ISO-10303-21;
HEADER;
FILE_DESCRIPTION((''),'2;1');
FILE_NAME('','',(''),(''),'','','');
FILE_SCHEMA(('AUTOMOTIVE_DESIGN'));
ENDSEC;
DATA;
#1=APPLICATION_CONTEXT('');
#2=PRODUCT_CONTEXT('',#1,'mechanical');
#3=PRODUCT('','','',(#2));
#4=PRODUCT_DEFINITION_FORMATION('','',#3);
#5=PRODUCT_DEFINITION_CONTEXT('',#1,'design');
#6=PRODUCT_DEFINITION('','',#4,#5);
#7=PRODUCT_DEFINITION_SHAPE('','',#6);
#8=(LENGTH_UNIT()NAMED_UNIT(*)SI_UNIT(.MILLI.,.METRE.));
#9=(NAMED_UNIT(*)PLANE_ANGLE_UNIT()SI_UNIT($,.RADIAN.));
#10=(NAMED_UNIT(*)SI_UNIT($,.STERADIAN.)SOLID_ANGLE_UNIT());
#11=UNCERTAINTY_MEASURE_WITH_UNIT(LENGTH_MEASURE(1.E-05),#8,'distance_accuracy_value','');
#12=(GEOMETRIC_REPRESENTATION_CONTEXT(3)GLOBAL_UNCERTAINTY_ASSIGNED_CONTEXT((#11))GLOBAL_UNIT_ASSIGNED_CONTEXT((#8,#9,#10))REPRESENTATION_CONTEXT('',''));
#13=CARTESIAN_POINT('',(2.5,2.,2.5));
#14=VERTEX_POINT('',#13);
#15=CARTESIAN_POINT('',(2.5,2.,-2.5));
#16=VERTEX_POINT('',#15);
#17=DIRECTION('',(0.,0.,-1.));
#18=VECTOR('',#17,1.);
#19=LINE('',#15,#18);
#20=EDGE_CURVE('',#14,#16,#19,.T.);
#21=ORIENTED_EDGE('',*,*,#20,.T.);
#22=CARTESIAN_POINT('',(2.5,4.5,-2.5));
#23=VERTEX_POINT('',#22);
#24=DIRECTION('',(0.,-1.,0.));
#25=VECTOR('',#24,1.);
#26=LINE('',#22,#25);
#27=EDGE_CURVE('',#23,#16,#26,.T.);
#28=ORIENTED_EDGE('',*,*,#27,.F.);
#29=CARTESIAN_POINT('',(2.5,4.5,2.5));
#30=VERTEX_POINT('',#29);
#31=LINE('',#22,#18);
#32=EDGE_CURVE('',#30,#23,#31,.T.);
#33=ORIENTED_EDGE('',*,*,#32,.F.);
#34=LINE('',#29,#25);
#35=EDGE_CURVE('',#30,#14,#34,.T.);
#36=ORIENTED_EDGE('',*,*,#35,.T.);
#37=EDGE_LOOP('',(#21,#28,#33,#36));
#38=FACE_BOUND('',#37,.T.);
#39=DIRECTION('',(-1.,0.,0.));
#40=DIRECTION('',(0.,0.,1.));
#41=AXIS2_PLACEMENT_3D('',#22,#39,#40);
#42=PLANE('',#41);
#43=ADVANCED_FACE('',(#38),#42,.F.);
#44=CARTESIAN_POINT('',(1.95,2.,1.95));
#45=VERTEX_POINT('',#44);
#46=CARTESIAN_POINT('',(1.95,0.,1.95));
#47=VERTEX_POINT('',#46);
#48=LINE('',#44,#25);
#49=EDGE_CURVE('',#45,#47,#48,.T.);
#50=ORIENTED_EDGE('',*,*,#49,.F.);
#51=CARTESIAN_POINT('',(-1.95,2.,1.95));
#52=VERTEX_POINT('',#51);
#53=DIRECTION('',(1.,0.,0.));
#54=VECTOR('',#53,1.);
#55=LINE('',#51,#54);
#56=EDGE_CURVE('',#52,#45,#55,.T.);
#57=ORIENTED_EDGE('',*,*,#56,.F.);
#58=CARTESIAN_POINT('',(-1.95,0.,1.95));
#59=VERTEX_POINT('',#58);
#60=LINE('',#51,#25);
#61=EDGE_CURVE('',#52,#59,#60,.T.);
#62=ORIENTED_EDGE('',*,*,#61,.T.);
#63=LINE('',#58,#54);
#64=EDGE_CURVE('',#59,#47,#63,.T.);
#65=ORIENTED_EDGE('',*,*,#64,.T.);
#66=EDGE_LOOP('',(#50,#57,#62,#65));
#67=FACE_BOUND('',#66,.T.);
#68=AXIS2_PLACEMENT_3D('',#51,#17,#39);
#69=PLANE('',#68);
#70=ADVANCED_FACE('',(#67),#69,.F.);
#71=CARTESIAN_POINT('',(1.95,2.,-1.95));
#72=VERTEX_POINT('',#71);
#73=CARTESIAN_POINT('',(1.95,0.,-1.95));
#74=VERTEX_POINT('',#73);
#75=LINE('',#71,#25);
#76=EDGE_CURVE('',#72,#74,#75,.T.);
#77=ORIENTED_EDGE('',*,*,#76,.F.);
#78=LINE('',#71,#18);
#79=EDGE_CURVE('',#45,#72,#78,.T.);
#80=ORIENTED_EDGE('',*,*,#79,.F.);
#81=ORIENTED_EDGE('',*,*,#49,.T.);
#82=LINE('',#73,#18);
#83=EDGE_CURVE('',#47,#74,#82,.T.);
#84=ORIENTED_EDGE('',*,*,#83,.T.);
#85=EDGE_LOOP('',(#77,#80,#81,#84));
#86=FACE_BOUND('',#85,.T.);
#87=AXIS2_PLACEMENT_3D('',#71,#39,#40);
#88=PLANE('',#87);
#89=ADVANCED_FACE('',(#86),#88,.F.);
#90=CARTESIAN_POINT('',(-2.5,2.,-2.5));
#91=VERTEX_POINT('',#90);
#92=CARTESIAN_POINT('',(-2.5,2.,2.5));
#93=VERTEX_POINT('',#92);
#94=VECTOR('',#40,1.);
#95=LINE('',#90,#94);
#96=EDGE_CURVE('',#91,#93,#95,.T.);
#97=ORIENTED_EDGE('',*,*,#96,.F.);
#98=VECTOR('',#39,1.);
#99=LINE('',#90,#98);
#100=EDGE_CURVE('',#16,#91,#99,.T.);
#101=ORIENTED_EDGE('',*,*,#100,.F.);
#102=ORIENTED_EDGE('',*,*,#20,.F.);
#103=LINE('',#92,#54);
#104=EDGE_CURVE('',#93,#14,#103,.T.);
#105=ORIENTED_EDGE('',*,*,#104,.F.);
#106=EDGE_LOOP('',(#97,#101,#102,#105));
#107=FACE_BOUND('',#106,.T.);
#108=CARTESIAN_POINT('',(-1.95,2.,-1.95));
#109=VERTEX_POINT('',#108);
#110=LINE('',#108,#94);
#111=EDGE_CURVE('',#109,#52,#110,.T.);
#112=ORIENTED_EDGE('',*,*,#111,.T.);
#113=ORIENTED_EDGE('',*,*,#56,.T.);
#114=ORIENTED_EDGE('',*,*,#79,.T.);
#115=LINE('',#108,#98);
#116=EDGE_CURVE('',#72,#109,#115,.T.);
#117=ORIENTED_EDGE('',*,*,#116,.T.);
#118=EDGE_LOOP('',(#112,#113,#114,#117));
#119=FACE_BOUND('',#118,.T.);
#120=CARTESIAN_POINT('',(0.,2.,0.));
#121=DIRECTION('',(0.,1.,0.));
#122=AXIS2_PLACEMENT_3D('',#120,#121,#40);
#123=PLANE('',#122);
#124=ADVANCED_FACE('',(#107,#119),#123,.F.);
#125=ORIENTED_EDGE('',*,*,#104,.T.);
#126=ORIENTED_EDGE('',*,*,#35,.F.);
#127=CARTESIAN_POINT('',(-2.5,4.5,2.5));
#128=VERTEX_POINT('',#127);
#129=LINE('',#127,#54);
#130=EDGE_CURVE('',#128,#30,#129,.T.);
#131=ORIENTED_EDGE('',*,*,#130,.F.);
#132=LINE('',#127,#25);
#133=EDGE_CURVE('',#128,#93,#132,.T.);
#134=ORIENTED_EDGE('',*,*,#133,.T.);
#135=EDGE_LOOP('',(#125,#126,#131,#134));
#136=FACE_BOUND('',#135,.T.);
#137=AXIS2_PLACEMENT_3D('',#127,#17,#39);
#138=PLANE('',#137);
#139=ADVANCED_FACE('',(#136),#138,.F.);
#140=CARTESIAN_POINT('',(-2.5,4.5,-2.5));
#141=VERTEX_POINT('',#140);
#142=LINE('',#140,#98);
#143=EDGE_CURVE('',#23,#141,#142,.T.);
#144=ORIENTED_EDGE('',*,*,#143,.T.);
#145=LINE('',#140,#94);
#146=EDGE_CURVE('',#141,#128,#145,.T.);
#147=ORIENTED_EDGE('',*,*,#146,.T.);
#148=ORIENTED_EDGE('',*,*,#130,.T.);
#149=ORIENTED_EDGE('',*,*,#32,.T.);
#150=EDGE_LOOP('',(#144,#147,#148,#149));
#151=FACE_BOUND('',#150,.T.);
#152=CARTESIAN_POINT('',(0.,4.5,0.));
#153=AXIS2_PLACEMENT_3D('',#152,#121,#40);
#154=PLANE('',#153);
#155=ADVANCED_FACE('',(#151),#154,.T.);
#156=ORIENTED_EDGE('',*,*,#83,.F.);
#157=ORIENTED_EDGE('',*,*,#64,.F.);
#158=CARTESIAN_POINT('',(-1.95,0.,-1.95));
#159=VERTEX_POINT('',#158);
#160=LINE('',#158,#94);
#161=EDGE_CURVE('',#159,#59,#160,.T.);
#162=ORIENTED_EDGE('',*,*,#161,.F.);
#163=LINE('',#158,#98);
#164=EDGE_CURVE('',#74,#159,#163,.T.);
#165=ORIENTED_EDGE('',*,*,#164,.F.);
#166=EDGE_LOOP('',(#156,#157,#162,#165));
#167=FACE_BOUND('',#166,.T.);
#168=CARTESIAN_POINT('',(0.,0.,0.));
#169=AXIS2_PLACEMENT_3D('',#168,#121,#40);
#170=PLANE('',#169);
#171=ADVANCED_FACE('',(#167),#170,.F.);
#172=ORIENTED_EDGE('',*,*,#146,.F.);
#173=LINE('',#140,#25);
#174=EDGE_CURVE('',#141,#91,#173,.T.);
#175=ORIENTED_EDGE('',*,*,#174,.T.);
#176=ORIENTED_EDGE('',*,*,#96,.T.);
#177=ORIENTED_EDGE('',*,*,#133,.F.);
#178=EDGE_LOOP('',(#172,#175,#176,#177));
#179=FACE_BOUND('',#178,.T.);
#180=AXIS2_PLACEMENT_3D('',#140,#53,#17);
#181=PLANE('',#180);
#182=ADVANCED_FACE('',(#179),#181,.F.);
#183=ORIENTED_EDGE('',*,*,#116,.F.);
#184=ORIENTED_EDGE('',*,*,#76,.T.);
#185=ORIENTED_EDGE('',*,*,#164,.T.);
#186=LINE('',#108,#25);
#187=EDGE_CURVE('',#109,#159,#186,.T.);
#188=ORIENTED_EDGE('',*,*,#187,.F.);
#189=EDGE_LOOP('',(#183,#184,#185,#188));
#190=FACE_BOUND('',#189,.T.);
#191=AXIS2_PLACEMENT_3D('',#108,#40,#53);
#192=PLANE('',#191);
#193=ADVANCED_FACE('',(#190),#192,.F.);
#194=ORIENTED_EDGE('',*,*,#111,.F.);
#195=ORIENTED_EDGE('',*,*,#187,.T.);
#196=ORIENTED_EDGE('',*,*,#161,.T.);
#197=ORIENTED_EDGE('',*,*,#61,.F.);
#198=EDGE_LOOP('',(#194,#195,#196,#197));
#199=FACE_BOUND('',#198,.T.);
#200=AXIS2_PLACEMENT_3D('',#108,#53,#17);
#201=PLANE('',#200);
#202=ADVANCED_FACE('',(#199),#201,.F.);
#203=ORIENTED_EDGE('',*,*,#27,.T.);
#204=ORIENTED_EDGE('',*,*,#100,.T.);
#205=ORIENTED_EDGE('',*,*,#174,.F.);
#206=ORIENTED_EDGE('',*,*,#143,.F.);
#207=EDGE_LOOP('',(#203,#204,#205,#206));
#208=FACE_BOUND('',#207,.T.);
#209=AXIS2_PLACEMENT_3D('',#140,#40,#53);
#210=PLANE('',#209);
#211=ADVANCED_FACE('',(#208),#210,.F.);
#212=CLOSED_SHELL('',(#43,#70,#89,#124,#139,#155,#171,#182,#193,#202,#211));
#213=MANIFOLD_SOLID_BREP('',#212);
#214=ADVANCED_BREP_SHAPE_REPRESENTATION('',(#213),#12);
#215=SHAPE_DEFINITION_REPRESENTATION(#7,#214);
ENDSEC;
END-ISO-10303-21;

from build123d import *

# Parameters (mm, degrees)
SKETCH_1_W      = 3.9
SKETCH_1_H      = 3.9
EXTRUDE_1_DEPTH = 2
SKETCH_2_W      = 5
SKETCH_2_H      = 5
EXTRUDE_2_DEPTH = 2.5


with BuildPart() as part:
    # Эскиз1 → Бобышка-Вытянуть1 (new body)
    with BuildSketch(Plane(origin=(0, 0, 0), x_dir=(1, 0, 0), z_dir=(0, 1, 0))):
        Rectangle(SKETCH_1_W, SKETCH_1_H)
    extrude(amount=EXTRUDE_1_DEPTH)

    # Эскиз2 → Бобышка-Вытянуть2 (add)
    with BuildSketch(Plane(origin=(0, 2, 0), x_dir=(1, 0, 0), z_dir=(0, 1, 0))):
        Rectangle(SKETCH_2_W, SKETCH_2_H)
    extrude(amount=EXTRUDE_2_DEPTH)


solid = part.part
